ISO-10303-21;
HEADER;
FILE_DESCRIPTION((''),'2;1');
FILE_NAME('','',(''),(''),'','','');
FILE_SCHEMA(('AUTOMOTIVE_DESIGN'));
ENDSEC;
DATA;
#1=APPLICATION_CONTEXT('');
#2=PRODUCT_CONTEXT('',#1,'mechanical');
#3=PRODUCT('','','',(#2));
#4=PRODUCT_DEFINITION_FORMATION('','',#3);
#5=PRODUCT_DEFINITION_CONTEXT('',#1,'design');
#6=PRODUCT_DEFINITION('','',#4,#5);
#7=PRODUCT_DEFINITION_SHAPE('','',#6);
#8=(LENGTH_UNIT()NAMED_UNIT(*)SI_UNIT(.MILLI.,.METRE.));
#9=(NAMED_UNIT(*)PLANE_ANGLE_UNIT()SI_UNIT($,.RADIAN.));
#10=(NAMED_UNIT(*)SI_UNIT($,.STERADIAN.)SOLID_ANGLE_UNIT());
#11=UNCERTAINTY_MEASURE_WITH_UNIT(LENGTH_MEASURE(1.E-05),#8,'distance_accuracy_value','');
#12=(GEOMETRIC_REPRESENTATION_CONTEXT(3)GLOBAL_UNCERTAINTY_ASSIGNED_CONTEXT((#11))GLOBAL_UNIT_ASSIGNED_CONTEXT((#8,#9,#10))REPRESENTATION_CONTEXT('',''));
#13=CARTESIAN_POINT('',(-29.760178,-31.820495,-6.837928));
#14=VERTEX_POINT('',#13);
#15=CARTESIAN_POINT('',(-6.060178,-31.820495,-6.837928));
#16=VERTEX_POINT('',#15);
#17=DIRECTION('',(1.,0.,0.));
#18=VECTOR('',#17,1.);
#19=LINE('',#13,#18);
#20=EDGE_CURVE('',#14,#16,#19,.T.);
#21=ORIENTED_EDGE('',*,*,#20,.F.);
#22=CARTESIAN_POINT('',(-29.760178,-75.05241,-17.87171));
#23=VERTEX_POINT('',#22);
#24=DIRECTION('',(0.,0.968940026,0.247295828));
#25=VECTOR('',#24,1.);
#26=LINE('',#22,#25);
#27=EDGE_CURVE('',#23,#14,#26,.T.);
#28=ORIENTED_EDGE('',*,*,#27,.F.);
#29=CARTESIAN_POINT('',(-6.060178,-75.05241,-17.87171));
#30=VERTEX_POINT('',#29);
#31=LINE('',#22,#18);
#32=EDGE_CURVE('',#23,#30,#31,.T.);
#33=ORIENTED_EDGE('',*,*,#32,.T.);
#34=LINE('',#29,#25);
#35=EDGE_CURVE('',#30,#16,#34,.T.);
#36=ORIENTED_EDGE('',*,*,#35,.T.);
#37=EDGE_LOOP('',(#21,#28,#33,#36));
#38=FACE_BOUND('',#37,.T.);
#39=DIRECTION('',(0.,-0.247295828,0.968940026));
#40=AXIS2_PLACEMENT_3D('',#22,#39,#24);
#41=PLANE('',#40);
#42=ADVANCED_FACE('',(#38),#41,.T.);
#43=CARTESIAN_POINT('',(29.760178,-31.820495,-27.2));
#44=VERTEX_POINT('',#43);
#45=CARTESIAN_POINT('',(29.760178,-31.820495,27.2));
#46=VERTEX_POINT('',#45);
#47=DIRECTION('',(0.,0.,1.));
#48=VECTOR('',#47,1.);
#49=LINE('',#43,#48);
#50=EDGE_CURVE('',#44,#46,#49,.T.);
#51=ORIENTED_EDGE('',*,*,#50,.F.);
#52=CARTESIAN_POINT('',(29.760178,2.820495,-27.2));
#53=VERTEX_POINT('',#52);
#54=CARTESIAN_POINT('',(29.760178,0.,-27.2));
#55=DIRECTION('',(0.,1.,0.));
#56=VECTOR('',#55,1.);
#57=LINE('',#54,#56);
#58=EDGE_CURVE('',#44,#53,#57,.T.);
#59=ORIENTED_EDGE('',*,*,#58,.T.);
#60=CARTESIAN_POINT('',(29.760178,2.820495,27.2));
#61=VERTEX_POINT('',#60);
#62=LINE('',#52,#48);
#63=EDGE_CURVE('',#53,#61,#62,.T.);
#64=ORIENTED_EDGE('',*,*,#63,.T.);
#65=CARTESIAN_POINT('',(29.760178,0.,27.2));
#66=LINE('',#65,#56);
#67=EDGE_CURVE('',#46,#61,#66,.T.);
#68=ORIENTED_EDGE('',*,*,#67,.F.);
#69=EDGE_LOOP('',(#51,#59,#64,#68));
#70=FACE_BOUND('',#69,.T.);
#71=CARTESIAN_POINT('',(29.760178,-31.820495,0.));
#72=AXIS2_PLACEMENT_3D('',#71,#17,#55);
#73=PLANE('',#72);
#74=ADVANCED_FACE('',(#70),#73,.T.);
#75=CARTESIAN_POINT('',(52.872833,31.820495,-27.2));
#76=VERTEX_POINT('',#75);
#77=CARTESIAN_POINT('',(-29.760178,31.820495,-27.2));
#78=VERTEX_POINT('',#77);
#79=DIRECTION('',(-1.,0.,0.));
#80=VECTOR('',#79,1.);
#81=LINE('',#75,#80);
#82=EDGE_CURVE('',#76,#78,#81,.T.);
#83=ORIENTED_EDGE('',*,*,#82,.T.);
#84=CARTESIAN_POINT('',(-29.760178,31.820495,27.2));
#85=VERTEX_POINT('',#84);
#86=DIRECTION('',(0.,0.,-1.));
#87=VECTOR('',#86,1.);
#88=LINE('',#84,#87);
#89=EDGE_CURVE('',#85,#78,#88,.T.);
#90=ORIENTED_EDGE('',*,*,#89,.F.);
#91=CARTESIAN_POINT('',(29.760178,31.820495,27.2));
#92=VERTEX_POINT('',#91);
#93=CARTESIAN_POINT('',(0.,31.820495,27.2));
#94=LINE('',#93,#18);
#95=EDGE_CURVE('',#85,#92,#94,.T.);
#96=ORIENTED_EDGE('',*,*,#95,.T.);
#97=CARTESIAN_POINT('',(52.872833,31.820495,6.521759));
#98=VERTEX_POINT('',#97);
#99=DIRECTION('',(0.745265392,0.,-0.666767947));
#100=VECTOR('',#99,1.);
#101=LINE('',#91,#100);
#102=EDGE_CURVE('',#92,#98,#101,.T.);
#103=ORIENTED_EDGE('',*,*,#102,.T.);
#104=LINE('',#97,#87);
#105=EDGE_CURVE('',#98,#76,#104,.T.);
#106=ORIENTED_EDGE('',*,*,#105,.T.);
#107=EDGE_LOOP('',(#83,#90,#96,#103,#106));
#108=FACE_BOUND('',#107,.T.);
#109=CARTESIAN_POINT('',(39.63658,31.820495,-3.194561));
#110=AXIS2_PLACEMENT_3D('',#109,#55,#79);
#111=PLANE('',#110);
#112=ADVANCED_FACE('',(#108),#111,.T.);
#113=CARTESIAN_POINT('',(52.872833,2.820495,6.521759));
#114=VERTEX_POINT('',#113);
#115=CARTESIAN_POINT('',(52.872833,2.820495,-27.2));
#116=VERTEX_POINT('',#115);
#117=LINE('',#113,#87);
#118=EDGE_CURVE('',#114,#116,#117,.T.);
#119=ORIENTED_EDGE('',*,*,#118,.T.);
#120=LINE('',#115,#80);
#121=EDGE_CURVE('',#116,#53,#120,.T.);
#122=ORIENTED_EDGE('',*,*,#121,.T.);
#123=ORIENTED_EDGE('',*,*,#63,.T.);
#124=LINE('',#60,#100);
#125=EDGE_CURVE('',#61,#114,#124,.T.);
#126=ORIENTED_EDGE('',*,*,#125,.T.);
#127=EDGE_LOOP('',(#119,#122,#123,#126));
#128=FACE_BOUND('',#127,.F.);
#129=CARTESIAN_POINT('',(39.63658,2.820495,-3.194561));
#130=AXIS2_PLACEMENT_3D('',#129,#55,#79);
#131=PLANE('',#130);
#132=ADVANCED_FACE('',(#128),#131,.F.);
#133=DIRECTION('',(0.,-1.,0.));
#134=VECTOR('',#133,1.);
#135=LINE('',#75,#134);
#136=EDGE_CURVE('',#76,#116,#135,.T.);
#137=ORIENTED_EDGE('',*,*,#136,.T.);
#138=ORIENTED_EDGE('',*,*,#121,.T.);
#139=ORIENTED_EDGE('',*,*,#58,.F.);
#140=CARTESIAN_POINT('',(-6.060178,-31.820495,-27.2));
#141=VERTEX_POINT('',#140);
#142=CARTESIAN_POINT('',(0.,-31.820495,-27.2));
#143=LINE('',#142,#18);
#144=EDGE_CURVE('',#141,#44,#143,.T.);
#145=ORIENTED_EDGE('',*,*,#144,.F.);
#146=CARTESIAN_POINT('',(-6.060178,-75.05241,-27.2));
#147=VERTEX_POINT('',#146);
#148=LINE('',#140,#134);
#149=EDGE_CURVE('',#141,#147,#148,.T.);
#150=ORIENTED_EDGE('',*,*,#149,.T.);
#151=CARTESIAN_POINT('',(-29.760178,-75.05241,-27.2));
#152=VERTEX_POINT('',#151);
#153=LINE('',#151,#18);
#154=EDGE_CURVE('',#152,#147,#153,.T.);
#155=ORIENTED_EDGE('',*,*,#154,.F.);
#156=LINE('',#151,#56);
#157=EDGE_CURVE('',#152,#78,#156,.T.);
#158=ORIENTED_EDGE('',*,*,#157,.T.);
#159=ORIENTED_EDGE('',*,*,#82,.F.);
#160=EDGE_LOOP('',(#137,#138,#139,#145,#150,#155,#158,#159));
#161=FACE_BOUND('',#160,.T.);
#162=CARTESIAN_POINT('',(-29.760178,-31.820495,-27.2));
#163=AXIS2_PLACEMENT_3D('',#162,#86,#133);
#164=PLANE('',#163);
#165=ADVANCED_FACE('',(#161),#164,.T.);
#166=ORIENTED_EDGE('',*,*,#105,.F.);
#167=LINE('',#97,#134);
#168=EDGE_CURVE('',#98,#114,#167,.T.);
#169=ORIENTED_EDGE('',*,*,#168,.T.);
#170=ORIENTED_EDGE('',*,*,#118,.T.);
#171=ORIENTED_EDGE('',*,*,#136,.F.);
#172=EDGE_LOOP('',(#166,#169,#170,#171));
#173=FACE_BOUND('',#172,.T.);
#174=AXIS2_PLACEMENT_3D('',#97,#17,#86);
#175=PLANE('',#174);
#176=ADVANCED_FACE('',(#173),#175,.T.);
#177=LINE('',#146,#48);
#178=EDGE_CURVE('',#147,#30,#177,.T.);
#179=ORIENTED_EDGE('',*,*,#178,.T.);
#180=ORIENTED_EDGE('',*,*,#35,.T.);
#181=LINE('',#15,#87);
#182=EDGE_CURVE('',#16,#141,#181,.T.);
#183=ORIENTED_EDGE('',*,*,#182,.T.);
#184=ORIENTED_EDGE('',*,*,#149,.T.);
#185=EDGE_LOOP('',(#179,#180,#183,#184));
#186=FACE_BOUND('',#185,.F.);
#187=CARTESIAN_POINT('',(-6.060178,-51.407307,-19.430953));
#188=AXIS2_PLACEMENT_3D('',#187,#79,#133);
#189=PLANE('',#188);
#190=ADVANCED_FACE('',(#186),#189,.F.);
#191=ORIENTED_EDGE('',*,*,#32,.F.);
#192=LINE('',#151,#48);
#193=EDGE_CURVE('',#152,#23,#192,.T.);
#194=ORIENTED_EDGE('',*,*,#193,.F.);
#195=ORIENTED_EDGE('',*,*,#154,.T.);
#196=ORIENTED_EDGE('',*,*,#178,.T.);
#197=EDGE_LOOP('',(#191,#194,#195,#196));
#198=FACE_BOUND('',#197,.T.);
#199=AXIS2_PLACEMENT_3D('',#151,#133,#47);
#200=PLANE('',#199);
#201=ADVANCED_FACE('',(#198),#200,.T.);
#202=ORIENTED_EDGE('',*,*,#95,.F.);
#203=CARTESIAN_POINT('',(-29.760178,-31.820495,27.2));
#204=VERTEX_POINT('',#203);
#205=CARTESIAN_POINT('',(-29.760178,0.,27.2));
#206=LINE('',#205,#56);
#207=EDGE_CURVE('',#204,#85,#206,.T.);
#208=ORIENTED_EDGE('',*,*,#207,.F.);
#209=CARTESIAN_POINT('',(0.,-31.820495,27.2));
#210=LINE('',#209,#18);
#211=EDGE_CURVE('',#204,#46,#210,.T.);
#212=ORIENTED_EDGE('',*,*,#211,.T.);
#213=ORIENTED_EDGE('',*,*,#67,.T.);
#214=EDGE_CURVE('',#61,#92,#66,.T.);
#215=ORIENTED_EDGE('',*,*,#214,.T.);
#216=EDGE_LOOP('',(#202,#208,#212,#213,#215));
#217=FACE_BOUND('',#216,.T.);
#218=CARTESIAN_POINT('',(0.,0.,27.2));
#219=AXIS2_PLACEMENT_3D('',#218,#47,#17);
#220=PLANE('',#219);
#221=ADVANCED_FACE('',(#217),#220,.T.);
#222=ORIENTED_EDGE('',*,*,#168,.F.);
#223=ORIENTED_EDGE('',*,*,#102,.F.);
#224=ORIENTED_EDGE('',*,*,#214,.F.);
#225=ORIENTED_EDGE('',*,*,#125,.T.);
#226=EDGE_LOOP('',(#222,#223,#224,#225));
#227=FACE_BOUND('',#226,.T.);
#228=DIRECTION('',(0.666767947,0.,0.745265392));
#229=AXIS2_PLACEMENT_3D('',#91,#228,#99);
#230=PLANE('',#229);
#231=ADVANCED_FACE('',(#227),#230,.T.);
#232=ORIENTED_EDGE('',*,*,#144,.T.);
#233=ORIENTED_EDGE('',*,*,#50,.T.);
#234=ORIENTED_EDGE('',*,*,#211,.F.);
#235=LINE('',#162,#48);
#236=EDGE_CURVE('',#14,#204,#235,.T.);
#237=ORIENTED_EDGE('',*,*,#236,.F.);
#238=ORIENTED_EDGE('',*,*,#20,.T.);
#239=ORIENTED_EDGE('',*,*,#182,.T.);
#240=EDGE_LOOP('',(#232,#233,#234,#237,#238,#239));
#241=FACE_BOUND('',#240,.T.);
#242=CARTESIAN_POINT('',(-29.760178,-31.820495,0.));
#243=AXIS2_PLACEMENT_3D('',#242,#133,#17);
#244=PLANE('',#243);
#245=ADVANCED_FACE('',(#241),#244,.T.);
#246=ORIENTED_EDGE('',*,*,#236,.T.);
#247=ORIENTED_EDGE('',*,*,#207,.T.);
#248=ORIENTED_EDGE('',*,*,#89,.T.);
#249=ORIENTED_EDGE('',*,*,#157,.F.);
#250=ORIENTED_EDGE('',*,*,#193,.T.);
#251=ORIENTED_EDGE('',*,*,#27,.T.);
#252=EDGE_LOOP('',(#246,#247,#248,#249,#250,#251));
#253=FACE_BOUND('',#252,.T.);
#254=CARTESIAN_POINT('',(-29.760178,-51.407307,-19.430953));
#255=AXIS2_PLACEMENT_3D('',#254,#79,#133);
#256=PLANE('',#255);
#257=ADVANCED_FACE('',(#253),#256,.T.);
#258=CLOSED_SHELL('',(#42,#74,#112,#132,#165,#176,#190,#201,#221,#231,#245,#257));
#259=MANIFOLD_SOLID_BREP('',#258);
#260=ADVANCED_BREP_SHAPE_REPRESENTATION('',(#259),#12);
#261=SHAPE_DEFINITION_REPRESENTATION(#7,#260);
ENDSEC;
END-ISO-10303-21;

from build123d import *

# Parameters (mm, degrees)
F0_W     = 59.5203563571
F0_H     = 63.6409893632
F1_DEPTH = 27.2
F3_DEPTH = 29
F5_DEPTH = 23.7


with BuildPart() as f1:
    # F0 (on Top) → F1 (new body, symmetric)
    with BuildSketch(Plane.XY):
        Rectangle(F0_W, F0_H)
    extrude(amount=F1_DEPTH, both=True)

    # F2 (on face) → F3 (join)
    with BuildSketch(Plane(origin=(0, 31.8204946816, 0), x_dir=(-1, 0, 0), z_dir=(0, 1, 0))):
        Polygon((-29.7601781785, -27.2), (-29.7601781785, 27.2), (-52.8728328645, 6.5217590891), (-52.8728328645, -27.2), align=None)
    extrude(amount=-F3_DEPTH)

    # F4 (on face) → F5 (join)
    with BuildSketch(Plane(origin=(-29.7601781785, 0, 0), x_dir=(0, -1, 0), z_dir=(-1, 0, 0))):
        Polygon((31.8204946816, -6.837928202), (31.8204946816, -27.2), (75.0524103642, -27.2), (75.0524103642, -17.8717095405), align=None)
    extrude(amount=-F5_DEPTH)


solid = f1.part
